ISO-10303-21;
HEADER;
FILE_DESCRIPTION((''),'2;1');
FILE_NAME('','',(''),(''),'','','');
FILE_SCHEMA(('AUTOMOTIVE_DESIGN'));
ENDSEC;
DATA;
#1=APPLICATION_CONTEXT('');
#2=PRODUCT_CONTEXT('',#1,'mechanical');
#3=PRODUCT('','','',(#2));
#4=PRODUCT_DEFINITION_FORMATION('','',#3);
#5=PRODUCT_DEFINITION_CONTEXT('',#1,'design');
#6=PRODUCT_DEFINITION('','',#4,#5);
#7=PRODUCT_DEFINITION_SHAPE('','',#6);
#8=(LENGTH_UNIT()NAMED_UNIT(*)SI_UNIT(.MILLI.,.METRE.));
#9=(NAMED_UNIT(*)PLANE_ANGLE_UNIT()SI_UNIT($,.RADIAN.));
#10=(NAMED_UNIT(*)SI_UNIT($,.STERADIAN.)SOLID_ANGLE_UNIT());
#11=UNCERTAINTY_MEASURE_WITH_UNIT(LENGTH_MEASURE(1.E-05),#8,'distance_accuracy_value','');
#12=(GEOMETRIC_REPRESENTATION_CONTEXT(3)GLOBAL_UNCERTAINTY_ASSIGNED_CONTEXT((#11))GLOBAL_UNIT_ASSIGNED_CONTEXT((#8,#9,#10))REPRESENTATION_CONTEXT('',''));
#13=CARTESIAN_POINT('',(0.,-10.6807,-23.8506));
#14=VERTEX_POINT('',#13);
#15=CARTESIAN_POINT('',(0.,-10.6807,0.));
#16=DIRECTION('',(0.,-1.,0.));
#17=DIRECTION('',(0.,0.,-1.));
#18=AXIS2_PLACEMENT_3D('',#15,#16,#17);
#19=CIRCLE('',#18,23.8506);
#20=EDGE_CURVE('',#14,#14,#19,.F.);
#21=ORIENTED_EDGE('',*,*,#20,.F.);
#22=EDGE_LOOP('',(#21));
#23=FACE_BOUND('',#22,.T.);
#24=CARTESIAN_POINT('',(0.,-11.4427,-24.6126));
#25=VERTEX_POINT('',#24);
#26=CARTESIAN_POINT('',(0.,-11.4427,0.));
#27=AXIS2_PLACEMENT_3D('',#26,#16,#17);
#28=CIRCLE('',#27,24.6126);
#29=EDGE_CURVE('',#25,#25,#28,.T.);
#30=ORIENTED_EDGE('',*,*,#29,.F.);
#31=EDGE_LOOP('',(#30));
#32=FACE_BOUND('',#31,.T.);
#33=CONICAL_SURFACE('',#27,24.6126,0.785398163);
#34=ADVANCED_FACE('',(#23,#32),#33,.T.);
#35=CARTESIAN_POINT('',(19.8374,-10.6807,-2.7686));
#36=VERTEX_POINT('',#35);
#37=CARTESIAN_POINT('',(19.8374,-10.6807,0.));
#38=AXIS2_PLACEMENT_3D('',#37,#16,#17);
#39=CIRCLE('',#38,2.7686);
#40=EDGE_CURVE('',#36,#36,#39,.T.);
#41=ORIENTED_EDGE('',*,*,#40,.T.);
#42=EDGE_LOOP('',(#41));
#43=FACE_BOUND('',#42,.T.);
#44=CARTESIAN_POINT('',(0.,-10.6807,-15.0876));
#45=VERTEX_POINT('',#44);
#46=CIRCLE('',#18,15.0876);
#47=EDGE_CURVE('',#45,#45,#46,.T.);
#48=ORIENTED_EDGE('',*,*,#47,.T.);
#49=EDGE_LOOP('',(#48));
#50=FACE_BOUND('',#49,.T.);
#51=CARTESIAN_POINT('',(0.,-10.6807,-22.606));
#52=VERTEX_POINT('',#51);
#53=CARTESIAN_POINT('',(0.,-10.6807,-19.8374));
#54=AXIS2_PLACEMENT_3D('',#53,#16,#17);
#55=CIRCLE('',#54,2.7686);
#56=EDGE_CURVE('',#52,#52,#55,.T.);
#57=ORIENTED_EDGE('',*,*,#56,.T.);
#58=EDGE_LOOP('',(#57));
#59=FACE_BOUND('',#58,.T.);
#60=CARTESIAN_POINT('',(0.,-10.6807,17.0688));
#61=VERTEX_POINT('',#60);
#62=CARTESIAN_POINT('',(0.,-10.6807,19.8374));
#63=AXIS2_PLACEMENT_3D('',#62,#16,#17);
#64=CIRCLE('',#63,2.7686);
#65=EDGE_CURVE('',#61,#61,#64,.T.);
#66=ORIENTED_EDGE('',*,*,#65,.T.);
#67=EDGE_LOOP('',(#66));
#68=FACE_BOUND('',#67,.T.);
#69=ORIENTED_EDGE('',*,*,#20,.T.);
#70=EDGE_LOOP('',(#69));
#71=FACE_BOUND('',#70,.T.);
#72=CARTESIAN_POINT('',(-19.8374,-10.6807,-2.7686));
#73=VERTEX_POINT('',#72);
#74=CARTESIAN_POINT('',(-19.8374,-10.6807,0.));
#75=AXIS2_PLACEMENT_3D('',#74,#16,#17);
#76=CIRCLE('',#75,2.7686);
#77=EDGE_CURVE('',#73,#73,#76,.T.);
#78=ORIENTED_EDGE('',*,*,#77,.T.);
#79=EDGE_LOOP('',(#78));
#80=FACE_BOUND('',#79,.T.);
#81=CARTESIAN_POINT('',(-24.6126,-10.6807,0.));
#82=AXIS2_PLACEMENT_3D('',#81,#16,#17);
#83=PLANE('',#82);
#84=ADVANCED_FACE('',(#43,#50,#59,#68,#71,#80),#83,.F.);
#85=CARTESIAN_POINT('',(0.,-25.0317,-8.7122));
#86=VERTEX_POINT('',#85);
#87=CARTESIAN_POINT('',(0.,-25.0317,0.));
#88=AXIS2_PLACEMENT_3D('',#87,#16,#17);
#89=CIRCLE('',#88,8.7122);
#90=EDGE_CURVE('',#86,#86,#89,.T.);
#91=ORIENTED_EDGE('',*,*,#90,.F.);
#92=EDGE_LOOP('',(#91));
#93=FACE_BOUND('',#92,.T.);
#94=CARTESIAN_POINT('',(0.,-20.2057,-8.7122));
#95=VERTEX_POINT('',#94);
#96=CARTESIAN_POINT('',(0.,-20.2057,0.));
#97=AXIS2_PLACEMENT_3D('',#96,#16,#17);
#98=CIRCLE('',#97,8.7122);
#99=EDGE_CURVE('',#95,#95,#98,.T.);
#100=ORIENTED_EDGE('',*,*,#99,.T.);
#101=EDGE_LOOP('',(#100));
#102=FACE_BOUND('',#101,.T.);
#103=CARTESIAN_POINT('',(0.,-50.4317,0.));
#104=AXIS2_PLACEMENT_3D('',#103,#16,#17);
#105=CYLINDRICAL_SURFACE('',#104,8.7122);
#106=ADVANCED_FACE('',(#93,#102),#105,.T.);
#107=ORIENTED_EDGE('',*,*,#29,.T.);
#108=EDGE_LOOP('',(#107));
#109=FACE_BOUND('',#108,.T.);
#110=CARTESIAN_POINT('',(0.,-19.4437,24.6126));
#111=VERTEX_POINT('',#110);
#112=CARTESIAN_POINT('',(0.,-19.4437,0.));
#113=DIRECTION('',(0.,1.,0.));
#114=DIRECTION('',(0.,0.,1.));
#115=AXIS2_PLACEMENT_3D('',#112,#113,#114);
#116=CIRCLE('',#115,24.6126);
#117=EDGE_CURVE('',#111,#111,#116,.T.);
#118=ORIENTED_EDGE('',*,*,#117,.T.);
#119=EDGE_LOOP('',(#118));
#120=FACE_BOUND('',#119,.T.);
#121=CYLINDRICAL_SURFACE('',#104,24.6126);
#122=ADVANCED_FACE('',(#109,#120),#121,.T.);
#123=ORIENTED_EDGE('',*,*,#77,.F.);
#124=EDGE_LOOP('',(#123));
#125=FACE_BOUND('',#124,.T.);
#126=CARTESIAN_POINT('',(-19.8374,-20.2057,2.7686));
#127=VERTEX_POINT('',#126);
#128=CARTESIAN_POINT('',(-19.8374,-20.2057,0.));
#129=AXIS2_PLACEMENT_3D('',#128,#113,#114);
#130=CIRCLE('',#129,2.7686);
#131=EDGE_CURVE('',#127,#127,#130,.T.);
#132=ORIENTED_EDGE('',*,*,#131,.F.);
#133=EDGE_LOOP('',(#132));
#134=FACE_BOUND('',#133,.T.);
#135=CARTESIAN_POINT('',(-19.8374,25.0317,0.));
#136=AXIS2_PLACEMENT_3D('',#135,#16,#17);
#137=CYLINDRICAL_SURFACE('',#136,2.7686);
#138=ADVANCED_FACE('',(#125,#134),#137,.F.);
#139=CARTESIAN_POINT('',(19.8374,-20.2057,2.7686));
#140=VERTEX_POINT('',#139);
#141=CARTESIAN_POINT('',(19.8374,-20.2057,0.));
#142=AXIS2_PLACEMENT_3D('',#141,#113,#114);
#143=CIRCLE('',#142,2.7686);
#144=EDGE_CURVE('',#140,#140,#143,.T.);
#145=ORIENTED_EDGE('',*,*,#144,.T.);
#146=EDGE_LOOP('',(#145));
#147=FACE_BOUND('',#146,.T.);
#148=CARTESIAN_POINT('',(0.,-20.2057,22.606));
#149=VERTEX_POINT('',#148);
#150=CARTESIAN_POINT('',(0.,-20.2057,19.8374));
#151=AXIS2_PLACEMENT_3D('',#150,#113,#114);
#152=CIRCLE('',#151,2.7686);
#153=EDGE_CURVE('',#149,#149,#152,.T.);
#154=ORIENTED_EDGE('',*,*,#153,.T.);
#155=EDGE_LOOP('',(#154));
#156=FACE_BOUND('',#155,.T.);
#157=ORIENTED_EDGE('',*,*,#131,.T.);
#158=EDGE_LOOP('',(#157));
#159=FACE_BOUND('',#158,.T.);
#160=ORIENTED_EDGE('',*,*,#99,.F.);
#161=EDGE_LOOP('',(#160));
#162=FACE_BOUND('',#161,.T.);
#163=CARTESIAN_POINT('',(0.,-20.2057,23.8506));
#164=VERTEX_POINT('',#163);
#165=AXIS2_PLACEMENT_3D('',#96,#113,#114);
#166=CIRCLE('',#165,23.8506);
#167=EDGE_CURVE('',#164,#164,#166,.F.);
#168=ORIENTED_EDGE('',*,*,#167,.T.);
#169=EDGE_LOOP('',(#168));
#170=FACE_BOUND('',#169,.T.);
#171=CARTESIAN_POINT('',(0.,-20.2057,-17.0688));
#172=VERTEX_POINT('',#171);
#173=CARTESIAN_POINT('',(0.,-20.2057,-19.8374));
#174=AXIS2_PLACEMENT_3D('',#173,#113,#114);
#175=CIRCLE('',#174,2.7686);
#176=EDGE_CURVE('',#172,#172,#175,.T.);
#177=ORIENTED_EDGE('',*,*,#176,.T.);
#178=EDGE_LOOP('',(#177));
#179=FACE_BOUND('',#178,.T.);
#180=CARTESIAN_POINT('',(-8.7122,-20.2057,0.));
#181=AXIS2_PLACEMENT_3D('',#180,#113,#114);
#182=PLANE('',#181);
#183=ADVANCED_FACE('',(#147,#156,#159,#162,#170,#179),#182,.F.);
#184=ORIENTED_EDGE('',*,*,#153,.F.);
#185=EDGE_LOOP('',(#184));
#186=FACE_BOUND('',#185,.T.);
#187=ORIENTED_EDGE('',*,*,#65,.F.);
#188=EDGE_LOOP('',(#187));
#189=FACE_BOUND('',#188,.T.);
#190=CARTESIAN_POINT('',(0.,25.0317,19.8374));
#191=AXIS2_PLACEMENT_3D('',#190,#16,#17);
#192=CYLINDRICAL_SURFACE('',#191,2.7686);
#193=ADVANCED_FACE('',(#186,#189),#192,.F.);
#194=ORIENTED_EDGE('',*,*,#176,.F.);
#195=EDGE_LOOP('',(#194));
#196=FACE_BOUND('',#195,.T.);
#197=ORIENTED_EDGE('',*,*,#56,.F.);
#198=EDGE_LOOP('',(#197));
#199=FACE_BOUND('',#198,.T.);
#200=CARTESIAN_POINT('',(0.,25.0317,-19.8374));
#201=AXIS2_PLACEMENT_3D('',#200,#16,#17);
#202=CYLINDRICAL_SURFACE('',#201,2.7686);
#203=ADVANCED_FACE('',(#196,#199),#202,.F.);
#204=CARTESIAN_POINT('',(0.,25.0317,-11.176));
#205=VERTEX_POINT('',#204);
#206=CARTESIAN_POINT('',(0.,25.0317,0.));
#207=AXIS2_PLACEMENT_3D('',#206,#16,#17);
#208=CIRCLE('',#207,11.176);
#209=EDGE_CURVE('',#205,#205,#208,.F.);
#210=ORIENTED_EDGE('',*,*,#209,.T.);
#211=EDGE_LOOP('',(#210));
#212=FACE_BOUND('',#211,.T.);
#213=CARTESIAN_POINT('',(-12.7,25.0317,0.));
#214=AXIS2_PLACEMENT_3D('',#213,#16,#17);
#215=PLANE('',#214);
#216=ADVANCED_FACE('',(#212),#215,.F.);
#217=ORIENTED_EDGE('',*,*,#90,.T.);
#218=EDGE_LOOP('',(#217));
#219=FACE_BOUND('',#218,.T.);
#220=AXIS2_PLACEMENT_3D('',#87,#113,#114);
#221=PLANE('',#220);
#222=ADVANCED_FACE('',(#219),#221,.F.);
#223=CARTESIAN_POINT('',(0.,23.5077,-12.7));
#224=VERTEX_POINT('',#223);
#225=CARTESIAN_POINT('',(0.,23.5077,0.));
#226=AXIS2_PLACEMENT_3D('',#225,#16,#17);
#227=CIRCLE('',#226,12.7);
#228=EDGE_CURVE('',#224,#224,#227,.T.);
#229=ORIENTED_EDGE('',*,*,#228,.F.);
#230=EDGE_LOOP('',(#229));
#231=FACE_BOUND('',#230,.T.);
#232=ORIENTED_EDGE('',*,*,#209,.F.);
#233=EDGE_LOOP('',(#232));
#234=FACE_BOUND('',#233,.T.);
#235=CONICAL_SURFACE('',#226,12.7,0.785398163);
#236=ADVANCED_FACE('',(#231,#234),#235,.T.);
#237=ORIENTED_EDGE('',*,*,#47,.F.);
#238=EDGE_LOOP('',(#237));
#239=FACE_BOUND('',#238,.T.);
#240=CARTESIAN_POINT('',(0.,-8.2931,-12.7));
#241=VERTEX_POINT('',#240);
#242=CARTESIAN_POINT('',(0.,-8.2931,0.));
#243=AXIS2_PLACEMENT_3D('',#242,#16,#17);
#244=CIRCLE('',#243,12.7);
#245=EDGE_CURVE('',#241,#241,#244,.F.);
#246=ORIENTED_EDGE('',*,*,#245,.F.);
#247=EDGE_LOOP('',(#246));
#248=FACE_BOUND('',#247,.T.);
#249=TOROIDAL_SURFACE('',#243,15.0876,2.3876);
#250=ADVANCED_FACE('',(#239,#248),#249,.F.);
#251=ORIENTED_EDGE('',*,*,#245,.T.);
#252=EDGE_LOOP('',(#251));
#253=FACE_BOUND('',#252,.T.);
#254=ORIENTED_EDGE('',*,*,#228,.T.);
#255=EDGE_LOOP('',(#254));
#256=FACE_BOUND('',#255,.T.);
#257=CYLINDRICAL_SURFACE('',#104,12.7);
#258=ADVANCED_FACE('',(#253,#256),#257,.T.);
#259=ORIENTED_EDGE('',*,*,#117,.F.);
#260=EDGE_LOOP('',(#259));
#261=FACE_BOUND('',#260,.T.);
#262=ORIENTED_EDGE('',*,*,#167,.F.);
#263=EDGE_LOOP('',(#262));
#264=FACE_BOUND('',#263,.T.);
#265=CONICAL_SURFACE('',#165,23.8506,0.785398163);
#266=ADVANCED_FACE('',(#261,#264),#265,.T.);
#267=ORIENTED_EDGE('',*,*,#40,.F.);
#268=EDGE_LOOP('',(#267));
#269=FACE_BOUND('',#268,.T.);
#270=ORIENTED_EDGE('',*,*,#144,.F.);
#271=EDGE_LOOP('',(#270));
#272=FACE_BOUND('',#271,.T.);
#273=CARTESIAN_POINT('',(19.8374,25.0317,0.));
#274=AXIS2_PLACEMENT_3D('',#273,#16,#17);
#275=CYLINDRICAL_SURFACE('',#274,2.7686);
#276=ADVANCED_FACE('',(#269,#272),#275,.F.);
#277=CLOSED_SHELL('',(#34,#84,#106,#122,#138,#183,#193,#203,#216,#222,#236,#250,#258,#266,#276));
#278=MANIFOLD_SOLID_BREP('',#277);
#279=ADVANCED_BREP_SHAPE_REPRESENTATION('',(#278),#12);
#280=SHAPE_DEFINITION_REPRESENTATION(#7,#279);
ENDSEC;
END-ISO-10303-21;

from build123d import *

# Parameters (mm, degrees)
CUT_EXTRUDE2_START = -20.2057
SKETCH2_R          = 2.7686
CUT_EXTRUDE2_DEPTH = 20.2057
FILLET1_R          = 2.3876
CHAMFER1_SIZE      = 0.762
CHAMFER2_SIZE      = 1.524


with BuildPart() as part:
    # Sketch1 → Revolve1 (revolve)
    with BuildSketch(Plane(origin=(0, 0, 0), x_dir=(0, 1, 0), z_dir=(0, 0, 1)), mode=Mode.PRIVATE) as revolve1_sk:
        Polygon((-25.0317, 0), (-25.0317, 8.7122), (-20.2057, 8.7122), (-20.2057, 24.6126), (-10.6807, 24.6126), (-10.6807, 12.7), (25.0317, 12.7), (25.0317, 0), align=None)
    revolve(revolve1_sk.sketch.rotate(Axis((0, -50.4317, 0), (0, 1, 0)), 270), axis=Axis((0, -50.4317, 0), (0, 1, 0)))

    # Sketch2 → Cut-Extrude2 (cut)
    with BuildSketch(Plane(origin=(0, 0, 0), x_dir=(-1, 0, 0), z_dir=(0, 1, 0)).offset(CUT_EXTRUDE2_START)):
        with Locations(Location((19.8374, 0, 0), (0, 0, 270))):
            Circle(SKETCH2_R)
        with Locations(Location((0, 19.8374, 0), (0, 0, 270))):
            Circle(SKETCH2_R)
        with Locations(Location((-19.8374, 0, 0), (0, 0, 270))):
            Circle(SKETCH2_R)
        with Locations(Location((0, -19.8374, 0), (0, 0, 270))):
            Circle(SKETCH2_R)
    extrude(amount=CUT_EXTRUDE2_DEPTH, mode=Mode.SUBTRACT)

    # Fillet1
    fillet1_edges = [part.edges().sort_by_distance(p)[0] for p in [
        (0, -10.6807, 12.7),
    ]]
    fillet(fillet1_edges, radius=FILLET1_R)

    # Chamfer1
    chamfer1_edges = [part.edges().sort_by_distance(p)[0] for p in [
        (0, -10.6807, 24.6126),
        (0, -20.2057, 24.6126),
    ]]
    chamfer(chamfer1_edges, length=CHAMFER1_SIZE)

    # Chamfer2
    chamfer2_edges = [part.edges().sort_by_distance(p)[0] for p in [
        (0, 25.0317, 12.7),
    ]]
    chamfer(chamfer2_edges, length=CHAMFER2_SIZE)


solid = part.part
